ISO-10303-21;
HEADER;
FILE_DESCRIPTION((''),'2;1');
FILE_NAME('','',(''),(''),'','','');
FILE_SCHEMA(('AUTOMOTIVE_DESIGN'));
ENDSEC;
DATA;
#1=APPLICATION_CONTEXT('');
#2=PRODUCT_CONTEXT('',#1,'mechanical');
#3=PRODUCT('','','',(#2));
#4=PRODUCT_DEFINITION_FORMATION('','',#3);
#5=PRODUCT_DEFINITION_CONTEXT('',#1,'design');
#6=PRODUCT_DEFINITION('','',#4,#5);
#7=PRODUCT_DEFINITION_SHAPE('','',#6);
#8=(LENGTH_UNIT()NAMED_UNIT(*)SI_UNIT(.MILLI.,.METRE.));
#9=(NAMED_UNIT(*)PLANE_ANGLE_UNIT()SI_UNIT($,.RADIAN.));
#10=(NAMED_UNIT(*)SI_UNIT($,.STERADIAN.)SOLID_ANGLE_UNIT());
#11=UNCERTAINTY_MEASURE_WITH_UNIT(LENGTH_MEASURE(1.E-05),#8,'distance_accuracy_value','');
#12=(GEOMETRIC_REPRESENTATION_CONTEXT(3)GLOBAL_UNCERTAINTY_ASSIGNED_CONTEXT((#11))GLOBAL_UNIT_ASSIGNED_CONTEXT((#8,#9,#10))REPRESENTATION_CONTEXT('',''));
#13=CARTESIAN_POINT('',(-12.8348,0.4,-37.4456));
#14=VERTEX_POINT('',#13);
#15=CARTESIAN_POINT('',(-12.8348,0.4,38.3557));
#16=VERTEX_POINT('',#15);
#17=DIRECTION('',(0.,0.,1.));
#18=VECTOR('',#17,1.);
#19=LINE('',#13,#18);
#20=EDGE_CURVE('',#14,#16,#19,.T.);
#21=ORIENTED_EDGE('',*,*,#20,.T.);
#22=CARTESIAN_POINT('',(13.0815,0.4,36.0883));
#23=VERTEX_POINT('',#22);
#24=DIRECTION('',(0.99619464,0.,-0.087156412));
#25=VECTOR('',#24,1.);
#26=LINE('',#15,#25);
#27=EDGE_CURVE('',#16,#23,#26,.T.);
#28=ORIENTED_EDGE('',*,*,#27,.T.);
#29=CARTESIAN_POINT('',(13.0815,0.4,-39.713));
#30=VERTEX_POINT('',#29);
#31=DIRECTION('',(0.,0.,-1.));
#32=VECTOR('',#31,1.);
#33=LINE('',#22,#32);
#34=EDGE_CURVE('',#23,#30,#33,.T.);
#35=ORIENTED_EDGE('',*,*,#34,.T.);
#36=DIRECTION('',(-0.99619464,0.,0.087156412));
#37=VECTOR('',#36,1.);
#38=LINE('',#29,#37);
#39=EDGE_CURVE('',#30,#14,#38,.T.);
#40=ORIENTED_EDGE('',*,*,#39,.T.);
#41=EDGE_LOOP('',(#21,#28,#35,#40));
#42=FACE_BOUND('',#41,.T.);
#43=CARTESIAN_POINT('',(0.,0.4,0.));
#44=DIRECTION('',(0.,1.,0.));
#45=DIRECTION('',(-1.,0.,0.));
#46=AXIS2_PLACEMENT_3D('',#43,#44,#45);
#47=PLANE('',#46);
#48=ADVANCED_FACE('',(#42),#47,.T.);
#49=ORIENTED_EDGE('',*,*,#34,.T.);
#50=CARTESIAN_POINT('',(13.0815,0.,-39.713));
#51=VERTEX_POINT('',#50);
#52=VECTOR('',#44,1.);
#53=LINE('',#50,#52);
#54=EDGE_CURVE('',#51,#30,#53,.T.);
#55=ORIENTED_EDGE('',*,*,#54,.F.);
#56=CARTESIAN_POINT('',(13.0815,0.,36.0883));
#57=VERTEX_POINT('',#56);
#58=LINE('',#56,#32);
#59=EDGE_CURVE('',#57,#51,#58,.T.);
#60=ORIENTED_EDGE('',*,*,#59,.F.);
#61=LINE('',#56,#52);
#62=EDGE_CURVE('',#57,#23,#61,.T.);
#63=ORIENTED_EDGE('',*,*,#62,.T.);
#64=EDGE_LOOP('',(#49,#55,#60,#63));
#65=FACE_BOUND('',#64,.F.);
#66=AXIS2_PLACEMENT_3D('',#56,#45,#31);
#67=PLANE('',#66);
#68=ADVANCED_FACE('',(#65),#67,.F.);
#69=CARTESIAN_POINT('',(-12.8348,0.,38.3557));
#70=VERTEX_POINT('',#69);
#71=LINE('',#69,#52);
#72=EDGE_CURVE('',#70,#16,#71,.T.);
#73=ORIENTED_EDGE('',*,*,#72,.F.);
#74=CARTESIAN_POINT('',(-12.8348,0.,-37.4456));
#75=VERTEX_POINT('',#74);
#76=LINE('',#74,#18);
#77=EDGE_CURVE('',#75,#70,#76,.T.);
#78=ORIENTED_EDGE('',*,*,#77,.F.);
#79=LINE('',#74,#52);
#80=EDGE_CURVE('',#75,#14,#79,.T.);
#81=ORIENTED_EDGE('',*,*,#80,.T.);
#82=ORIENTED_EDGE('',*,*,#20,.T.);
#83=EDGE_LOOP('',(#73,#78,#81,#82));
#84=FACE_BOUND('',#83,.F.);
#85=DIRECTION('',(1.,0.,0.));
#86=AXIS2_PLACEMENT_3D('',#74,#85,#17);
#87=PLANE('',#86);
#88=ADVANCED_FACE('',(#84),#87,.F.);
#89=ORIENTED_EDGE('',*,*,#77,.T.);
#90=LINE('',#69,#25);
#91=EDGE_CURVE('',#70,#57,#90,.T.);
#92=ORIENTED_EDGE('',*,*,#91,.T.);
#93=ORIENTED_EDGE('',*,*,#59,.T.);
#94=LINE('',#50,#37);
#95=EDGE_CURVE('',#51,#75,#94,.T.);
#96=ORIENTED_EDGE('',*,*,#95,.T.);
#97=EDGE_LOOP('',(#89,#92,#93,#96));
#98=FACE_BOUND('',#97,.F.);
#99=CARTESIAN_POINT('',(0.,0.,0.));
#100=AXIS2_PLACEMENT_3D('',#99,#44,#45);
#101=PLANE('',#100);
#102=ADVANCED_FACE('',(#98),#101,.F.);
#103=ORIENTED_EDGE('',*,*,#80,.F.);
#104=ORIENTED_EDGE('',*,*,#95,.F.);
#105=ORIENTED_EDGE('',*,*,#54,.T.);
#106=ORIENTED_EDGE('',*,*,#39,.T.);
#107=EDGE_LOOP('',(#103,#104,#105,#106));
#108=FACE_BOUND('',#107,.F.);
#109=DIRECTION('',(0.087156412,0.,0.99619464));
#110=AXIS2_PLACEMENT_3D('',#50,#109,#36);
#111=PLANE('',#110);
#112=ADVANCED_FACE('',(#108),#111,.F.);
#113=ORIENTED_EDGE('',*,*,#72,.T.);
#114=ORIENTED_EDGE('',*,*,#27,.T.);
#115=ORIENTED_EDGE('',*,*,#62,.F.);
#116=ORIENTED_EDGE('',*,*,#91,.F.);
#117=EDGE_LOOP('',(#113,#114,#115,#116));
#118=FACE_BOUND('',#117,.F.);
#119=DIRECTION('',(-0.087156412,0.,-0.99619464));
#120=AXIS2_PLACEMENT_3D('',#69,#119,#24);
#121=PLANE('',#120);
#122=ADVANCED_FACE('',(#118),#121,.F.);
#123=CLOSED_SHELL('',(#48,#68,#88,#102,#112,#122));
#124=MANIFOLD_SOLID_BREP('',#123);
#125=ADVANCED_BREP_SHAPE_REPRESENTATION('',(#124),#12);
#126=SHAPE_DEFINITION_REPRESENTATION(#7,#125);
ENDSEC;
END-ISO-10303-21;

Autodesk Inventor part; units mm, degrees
ref_plane "YZ Plane" through (0, 0, 0) normal (1, 0, 0) x (0, 1, 0)
ref_plane "XZ Plane" through (0, 0, 0) normal (0, 1, 0) x (-1, 0, 0)
ref_plane "XY Plane" through (0, 0, 0) normal (0, 0, 1) x (1, 0, 0)
sketch "Sketch1" plane through (0, 0, 0) normal (0, 1, 0) x (-1, 0, 0)
  line L0 (-6.5173, 34.655) -> (5.399, 35.6975)
  arc A0 (10.8348, 30.7166) -> (5.399, 35.6975) centre (5.8348, 30.7166) ccw
  line L1 (10.8348, 30.7166) -> (10.8348, -31.0313)
  arc A1 (6.2705, -36.0123) -> (10.8348, -31.0313) centre (5.8348, -31.0313) ccw
  line L2 (6.2705, -36.0123) -> (-5.6458, -37.0548)
  arc A2 (-11.0815, -32.0739) -> (-5.6458, -37.0548) centre (-6.0815, -32.0739) ccw
  line L3 (-11.0815, -32.0739) -> (-11.0815, 29.674)
  arc A3 (-6.5173, 34.655) -> (-11.0815, 29.674) centre (-6.0815, 29.674) ccw
  line L4 (12.8348, 38.3557) -> (-13.0815, 36.0883)
  line L5 (-13.0815, 36.0883) -> (-13.0815, -39.713)
  line L6 (-13.0815, -39.713) -> (12.8348, -37.4456)
  line L7 (12.8348, -37.4456) -> (12.8348, 38.3557)
  line L8 (12.6348, 38.1375) -> (-12.8815, 35.9051)
  line L9 (-12.8815, 35.9051) -> (-12.8815, -39.4948)
  line L10 (-12.8815, -39.4948) -> (12.6348, -37.2624)
  line L11 (12.6348, -37.2624) -> (12.6348, 38.1375)
  point P0 (0, 0)
  dimension "d0" = 0.2
extrude "Extrusion1" add sketch "Sketch1" along normal blind 0.4 contours L0 A0 L1 A1 L2 A2 L3 A3 | L7 L6 L5 L4 | L11 L10 L9 L8
properties part number "d"
